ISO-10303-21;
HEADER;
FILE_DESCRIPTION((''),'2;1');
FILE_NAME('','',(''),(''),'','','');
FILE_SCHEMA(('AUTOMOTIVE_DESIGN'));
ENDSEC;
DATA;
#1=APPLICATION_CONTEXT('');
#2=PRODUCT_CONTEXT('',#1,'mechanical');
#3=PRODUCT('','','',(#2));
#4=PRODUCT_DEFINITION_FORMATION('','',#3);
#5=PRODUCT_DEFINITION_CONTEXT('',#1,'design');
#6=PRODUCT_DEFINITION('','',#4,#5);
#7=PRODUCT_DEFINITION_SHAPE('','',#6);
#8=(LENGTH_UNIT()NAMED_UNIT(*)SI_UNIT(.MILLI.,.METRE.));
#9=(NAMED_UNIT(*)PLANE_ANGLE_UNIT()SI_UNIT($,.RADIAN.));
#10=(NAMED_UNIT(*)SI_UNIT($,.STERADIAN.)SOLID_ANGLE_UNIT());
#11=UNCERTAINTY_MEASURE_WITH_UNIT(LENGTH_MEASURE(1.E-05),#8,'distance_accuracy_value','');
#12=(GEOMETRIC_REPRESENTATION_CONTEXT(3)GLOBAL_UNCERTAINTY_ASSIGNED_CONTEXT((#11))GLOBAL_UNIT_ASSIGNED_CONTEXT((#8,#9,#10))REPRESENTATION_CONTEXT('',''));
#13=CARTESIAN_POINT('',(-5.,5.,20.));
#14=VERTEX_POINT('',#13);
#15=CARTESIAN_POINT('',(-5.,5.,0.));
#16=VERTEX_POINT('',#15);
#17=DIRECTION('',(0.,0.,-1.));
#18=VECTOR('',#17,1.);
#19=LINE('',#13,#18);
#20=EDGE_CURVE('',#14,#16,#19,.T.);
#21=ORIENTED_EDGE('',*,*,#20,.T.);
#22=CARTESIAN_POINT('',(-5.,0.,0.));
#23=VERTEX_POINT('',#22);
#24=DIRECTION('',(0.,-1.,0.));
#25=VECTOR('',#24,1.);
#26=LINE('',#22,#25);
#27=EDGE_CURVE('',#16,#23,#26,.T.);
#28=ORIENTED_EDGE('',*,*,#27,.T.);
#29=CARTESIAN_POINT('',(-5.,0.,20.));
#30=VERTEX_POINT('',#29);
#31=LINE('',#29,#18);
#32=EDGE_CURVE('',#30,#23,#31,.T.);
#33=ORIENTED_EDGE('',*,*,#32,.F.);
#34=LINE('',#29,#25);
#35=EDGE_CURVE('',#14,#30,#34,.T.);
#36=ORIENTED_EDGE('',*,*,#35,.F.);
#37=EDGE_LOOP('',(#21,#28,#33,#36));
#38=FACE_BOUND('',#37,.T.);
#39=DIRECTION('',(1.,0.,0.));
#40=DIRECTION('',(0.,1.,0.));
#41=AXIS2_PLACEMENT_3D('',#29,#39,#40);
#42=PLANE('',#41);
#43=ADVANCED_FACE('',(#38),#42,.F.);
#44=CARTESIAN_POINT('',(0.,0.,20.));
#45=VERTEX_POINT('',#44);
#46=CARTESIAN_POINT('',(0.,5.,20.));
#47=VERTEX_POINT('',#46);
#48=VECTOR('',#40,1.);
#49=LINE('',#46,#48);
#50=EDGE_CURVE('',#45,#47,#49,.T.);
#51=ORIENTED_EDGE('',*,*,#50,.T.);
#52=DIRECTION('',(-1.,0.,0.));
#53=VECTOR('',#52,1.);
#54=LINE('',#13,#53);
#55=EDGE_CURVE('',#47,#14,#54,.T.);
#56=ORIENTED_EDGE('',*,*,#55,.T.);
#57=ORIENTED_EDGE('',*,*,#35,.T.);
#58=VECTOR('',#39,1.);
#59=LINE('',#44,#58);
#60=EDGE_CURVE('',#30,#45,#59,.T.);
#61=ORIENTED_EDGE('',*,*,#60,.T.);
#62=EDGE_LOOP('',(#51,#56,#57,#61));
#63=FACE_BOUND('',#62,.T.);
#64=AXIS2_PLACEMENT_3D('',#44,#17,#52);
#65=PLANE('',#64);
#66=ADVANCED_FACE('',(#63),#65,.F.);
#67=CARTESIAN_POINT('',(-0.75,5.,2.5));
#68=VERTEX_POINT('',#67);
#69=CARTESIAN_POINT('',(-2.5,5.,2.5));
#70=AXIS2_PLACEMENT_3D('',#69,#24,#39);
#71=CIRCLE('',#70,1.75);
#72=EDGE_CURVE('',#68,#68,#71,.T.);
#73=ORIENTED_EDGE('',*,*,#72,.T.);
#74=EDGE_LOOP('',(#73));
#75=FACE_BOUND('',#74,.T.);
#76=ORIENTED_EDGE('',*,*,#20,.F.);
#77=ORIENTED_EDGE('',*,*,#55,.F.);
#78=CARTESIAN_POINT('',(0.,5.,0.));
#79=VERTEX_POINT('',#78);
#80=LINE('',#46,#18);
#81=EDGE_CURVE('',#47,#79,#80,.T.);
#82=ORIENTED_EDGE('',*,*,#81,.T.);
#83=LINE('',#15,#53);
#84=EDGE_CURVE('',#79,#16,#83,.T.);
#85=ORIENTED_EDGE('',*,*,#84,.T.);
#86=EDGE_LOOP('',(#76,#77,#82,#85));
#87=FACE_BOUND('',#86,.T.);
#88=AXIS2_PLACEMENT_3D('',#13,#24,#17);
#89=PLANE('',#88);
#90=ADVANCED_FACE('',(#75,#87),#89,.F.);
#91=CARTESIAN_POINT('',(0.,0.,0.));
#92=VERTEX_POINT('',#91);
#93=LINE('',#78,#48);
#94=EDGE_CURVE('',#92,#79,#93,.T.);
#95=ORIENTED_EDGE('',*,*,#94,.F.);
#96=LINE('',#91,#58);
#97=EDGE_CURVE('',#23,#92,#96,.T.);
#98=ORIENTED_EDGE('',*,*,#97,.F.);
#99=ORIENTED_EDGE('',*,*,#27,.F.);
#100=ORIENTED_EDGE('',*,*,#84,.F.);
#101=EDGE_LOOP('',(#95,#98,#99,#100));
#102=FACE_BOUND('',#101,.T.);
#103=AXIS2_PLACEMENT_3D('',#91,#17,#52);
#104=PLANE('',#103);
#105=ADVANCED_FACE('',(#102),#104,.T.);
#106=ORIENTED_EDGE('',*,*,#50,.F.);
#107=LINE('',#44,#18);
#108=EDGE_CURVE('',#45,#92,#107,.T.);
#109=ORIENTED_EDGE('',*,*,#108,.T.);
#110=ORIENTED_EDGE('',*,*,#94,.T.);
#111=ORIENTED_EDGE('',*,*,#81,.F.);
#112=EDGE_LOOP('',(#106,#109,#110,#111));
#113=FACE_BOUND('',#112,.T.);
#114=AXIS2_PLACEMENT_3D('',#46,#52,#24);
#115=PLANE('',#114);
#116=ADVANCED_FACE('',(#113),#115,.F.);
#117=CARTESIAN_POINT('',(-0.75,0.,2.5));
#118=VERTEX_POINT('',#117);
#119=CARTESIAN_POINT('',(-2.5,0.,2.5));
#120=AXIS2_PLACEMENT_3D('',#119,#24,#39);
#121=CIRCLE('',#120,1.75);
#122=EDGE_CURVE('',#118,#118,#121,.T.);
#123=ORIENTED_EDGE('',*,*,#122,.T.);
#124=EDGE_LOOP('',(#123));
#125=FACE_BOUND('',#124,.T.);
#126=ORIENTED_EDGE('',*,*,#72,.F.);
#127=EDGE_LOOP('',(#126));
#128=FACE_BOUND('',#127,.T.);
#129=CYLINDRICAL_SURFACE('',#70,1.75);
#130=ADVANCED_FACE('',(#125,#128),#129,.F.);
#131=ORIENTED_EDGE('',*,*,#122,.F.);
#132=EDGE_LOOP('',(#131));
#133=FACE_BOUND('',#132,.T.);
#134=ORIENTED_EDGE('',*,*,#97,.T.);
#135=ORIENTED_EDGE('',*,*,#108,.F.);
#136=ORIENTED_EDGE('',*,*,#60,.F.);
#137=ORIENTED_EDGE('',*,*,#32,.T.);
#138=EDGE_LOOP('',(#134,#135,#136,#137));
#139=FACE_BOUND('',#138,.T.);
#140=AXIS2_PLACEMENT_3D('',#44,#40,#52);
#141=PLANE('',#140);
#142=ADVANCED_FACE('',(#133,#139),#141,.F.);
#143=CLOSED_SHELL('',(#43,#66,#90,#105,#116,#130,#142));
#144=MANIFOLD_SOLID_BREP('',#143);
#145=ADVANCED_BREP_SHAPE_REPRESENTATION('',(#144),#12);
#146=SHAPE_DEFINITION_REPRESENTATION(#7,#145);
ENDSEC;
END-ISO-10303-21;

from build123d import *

# Parameters (mm, degrees)
SCHIZZO1_W                   = 5
SCHIZZO1_H                   = 5
ESTRUSIONE_ESTRUSIONE1_DEPTH = 20
SCHIZZO2_R                   = 1.75
TAGLIO_ESTRUSIONE1_DEPTH     = 22.213203436


with BuildPart() as part:
    # Schizzo1 → Estrusione-Estrusione1 (new body)
    with BuildSketch(Plane.XY):
        with Locations((-2.5, 2.5)):
            Rectangle(SCHIZZO1_W, SCHIZZO1_H)
    extrude(amount=ESTRUSIONE_ESTRUSIONE1_DEPTH)

    # Schizzo2 → Taglio-Estrusione1 (cut, through all)
    with BuildSketch(Plane(origin=(0, 0, 0), x_dir=(-1, 0, 0), z_dir=(0, -1, 0))):
        with Locations((2.5, -27.5)):
            Circle(SCHIZZO2_R)
        with Locations(Location((2.5, -2.5, 0), (0, 0, 180))):
            Circle(SCHIZZO2_R)
    extrude(amount=-TAGLIO_ESTRUSIONE1_DEPTH, mode=Mode.SUBTRACT)


solid = part.part
